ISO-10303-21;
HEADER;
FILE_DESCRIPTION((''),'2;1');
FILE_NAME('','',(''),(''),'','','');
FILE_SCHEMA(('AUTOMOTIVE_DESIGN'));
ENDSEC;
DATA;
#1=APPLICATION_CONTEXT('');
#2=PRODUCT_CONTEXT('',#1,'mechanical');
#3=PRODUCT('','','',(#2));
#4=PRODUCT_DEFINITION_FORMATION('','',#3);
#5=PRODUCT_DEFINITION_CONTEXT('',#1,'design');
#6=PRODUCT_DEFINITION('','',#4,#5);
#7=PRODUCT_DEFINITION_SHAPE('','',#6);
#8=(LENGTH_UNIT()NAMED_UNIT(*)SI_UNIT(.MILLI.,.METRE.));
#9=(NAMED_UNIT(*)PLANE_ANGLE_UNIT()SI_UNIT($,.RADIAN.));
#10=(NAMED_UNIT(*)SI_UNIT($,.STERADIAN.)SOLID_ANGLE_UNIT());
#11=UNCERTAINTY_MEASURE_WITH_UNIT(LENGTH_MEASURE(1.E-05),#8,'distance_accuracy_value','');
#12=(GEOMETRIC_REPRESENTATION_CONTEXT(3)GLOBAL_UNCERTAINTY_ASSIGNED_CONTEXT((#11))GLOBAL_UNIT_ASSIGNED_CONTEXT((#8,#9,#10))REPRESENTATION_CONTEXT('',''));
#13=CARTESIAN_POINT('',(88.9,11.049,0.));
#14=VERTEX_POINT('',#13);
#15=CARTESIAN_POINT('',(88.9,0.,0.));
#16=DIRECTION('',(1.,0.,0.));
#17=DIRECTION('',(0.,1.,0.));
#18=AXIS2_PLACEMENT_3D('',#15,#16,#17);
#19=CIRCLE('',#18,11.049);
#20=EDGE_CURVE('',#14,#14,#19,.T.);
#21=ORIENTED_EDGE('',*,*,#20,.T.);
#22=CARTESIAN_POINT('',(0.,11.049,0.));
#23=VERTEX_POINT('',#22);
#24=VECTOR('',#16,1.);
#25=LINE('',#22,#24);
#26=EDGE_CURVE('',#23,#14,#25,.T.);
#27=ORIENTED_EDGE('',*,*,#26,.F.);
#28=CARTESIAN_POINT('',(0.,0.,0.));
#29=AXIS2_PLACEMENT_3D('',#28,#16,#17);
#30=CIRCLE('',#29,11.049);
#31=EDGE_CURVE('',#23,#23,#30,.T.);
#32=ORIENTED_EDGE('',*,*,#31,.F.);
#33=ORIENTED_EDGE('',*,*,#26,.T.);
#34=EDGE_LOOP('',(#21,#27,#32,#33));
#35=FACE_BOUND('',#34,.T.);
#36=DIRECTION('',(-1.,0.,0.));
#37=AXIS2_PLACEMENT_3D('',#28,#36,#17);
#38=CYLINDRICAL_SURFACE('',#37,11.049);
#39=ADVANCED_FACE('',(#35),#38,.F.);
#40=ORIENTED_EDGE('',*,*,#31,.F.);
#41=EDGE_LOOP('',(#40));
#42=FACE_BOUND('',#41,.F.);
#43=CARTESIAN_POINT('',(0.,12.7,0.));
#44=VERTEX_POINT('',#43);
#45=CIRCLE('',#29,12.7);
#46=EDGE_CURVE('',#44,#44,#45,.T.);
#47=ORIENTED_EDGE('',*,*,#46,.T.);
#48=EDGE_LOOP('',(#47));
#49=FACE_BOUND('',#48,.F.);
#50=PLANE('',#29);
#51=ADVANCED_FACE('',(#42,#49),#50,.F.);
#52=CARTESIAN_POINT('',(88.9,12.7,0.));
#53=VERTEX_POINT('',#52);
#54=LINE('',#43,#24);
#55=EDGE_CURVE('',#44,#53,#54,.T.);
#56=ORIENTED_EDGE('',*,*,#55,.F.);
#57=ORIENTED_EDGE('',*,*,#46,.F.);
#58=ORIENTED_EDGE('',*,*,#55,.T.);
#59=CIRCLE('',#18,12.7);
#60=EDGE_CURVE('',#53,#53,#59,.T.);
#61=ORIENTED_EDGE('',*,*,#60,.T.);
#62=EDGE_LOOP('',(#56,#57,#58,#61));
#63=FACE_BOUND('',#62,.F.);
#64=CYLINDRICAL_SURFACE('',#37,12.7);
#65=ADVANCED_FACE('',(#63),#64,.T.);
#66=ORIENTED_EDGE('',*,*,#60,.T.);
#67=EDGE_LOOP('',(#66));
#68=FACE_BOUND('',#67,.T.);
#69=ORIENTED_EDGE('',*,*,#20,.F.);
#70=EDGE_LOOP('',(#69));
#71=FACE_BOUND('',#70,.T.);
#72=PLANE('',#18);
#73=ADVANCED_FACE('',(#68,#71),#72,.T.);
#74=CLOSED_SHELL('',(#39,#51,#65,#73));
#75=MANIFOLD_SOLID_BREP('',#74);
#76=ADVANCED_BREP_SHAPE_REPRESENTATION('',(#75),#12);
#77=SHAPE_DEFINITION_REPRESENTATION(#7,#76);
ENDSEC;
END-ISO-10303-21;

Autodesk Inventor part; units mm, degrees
ref_plane "XZ Plane" through (0, 0, 0) normal (0, 1, 0) x (-1, 0, 0)
ref_plane "Start Plane" through (0, 0, 0) normal (1, 0, 0) x (0, 1, 0)
ref_plane "End Plane" through (88.9, 0, 0) normal (1, 0, 0) x (0, 1, 0)
sketch "Sketch" plane through (0, 0, 0) normal (1, 0, 0) x (0, 1, 0)
  circle A0 centre (0, 0) radius 12.7
  circle A1 centre (0, 0) radius 11.049
  dimension "d0" = 25.4
  dimension "d1" = 1.651
extrude "Body" add sketch "Sketch" along normal up to surface (88.9 mm away) from surface at 0
sketch "Sketch2" plane through (0, 0, 0) normal (1, 0, 0) x (0, 1, 0)
  line L0 (0, 0) -> (10, 0)
ref_plane "Work Plane3" through (0, 0, 0) normal (0, 0, -1) x (0, 1, 0)
sketch "Sketch3" plane through (0, 0, 0) normal (0, 0, -1) x (0, 1, 0)
  line L0 (-2, 0) -> (12, 0)
  line L1 (-2, 88.9) -> (12, 88.9)
  dimension "d9" = 88.9
equation "\"G_OFFSET_START\" = 0"
equation "\"G_OFFSET_END\" = 0"
equation "\"d5\" = d2 + G_OFFSET_END"
equation "\"G_L\" = d9"
equation "\"d2\" = 88.9"
properties part number "4130_1x0.065" material "Steel, Alloy"
